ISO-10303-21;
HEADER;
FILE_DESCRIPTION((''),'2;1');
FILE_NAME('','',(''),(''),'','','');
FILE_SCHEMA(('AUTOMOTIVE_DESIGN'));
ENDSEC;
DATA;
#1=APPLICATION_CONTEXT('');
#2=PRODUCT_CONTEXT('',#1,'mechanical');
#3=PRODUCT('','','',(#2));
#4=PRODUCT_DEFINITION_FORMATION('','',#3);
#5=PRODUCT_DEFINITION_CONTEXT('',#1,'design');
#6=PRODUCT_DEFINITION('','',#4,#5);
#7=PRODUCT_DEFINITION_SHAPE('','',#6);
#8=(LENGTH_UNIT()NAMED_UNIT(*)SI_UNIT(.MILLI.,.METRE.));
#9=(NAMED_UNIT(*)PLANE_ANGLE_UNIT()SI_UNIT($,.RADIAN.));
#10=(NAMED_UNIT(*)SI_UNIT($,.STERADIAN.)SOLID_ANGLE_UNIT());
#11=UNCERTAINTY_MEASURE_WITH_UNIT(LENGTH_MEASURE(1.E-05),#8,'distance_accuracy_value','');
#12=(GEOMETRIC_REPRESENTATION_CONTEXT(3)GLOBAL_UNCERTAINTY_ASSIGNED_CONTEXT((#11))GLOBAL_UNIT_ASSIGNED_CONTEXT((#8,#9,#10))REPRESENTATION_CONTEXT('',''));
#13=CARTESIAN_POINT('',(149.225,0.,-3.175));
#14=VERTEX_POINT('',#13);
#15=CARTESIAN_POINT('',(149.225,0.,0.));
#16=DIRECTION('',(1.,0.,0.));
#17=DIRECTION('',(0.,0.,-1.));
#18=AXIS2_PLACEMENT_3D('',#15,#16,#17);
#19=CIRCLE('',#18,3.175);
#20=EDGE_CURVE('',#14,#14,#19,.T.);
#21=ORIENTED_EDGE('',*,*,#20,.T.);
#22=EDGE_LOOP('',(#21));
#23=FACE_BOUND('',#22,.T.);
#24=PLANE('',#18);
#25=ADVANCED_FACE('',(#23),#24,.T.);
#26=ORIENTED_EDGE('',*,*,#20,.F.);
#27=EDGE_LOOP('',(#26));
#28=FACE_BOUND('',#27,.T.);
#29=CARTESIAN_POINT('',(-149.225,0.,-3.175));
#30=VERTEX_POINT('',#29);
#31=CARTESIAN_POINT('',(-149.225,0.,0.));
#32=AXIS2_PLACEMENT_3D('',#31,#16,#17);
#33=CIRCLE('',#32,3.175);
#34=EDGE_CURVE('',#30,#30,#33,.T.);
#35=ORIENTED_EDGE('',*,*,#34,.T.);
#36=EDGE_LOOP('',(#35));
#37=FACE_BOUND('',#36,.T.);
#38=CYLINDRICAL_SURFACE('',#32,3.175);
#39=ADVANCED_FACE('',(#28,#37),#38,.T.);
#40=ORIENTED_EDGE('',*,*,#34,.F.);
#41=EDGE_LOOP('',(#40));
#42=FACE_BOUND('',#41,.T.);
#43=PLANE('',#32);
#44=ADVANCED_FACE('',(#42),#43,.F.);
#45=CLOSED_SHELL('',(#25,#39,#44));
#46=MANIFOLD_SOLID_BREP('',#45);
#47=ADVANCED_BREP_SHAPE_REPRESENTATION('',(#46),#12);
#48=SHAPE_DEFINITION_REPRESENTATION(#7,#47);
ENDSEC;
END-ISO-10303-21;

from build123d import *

# Parameters (mm, degrees)
BOSS_EXTRUDE1_DEPTH      = 149.225
BOSS_EXTRUDE1_DEPTH_BACK = 149.225
SKETCH1_R                = 3.175


with BuildPart() as part:
    # Sketch1 → Boss-Extrude1 (new, two sides: drawn at the far end of the back side and taken through both)
    with BuildSketch(Plane(origin=(0, 0, 0), x_dir=(0, 0, -1), z_dir=(1, 0, 0)).offset(-BOSS_EXTRUDE1_DEPTH_BACK)):
        Circle(SKETCH1_R)
    extrude(amount=BOSS_EXTRUDE1_DEPTH + BOSS_EXTRUDE1_DEPTH_BACK)


solid = part.part
